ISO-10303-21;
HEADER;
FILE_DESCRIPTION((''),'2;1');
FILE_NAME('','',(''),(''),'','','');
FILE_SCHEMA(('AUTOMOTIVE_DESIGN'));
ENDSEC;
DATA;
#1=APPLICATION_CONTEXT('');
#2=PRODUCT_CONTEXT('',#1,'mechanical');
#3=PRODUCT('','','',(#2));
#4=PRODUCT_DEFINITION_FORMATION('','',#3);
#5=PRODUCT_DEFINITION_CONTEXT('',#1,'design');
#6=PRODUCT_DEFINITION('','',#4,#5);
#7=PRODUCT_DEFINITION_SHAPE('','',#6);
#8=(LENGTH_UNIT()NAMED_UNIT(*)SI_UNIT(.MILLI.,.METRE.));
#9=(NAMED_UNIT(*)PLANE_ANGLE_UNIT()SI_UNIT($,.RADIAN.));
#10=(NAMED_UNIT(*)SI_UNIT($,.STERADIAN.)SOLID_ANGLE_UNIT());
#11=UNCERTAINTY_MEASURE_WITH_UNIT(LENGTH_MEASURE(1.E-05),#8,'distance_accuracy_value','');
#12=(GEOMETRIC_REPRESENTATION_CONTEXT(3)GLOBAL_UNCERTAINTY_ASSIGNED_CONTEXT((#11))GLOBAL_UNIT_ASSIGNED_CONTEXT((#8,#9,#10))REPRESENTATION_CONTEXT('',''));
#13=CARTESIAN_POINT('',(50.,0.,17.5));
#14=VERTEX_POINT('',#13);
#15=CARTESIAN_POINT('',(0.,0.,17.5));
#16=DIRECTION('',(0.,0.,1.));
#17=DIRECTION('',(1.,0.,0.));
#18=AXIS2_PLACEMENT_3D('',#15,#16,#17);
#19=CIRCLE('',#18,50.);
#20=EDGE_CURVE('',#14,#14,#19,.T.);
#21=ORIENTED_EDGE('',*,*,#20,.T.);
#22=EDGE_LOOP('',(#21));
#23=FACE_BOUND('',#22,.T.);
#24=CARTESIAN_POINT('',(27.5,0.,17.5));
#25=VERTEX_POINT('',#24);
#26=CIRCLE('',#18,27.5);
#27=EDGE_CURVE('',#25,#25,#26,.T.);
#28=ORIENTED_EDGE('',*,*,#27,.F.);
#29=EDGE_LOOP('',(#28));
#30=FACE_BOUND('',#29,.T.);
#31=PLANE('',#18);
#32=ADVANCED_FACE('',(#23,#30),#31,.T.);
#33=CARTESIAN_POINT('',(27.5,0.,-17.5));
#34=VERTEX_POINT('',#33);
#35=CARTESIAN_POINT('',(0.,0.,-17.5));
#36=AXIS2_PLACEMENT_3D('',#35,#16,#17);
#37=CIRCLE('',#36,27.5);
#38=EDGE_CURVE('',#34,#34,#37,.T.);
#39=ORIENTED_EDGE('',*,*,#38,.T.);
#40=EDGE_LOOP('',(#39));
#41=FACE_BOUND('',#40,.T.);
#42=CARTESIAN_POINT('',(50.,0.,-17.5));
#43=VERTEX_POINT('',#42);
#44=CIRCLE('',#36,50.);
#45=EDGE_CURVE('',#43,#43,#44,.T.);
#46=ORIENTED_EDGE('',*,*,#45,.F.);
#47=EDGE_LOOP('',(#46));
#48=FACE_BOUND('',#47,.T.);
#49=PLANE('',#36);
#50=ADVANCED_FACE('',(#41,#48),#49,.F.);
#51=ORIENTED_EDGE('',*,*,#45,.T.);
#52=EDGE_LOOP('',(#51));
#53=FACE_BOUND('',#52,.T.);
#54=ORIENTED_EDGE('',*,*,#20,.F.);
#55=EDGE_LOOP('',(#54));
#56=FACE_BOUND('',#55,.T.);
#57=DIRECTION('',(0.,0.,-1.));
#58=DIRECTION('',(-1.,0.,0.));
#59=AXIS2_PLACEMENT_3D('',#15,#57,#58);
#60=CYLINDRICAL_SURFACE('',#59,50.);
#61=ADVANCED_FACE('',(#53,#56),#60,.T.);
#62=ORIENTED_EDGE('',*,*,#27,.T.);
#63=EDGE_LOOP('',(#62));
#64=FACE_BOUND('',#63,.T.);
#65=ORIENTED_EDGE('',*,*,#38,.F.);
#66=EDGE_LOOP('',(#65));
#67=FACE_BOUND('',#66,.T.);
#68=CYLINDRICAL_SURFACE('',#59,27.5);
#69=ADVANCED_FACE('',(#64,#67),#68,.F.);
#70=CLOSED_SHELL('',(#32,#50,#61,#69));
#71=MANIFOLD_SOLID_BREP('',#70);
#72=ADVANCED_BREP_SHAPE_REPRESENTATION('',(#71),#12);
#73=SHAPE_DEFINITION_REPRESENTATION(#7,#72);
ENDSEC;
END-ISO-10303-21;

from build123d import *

# Parameters (mm, degrees)
TYRE_SWEPT_ENVELOPE_START = -17.5
PROFILE_1_R               = 50
PROFILE_1_R_2             = 27.5
TYRE_SWEPT_ENVELOPE_DEPTH = 35


with BuildPart() as part:
    # Profile_1 → Tyre_swept_envelope (new body)
    with BuildSketch(Plane.XY.offset(TYRE_SWEPT_ENVELOPE_START)):
        Circle(PROFILE_1_R)
        Circle(PROFILE_1_R_2, mode=Mode.SUBTRACT)
    extrude(amount=TYRE_SWEPT_ENVELOPE_DEPTH)


solid = part.part
